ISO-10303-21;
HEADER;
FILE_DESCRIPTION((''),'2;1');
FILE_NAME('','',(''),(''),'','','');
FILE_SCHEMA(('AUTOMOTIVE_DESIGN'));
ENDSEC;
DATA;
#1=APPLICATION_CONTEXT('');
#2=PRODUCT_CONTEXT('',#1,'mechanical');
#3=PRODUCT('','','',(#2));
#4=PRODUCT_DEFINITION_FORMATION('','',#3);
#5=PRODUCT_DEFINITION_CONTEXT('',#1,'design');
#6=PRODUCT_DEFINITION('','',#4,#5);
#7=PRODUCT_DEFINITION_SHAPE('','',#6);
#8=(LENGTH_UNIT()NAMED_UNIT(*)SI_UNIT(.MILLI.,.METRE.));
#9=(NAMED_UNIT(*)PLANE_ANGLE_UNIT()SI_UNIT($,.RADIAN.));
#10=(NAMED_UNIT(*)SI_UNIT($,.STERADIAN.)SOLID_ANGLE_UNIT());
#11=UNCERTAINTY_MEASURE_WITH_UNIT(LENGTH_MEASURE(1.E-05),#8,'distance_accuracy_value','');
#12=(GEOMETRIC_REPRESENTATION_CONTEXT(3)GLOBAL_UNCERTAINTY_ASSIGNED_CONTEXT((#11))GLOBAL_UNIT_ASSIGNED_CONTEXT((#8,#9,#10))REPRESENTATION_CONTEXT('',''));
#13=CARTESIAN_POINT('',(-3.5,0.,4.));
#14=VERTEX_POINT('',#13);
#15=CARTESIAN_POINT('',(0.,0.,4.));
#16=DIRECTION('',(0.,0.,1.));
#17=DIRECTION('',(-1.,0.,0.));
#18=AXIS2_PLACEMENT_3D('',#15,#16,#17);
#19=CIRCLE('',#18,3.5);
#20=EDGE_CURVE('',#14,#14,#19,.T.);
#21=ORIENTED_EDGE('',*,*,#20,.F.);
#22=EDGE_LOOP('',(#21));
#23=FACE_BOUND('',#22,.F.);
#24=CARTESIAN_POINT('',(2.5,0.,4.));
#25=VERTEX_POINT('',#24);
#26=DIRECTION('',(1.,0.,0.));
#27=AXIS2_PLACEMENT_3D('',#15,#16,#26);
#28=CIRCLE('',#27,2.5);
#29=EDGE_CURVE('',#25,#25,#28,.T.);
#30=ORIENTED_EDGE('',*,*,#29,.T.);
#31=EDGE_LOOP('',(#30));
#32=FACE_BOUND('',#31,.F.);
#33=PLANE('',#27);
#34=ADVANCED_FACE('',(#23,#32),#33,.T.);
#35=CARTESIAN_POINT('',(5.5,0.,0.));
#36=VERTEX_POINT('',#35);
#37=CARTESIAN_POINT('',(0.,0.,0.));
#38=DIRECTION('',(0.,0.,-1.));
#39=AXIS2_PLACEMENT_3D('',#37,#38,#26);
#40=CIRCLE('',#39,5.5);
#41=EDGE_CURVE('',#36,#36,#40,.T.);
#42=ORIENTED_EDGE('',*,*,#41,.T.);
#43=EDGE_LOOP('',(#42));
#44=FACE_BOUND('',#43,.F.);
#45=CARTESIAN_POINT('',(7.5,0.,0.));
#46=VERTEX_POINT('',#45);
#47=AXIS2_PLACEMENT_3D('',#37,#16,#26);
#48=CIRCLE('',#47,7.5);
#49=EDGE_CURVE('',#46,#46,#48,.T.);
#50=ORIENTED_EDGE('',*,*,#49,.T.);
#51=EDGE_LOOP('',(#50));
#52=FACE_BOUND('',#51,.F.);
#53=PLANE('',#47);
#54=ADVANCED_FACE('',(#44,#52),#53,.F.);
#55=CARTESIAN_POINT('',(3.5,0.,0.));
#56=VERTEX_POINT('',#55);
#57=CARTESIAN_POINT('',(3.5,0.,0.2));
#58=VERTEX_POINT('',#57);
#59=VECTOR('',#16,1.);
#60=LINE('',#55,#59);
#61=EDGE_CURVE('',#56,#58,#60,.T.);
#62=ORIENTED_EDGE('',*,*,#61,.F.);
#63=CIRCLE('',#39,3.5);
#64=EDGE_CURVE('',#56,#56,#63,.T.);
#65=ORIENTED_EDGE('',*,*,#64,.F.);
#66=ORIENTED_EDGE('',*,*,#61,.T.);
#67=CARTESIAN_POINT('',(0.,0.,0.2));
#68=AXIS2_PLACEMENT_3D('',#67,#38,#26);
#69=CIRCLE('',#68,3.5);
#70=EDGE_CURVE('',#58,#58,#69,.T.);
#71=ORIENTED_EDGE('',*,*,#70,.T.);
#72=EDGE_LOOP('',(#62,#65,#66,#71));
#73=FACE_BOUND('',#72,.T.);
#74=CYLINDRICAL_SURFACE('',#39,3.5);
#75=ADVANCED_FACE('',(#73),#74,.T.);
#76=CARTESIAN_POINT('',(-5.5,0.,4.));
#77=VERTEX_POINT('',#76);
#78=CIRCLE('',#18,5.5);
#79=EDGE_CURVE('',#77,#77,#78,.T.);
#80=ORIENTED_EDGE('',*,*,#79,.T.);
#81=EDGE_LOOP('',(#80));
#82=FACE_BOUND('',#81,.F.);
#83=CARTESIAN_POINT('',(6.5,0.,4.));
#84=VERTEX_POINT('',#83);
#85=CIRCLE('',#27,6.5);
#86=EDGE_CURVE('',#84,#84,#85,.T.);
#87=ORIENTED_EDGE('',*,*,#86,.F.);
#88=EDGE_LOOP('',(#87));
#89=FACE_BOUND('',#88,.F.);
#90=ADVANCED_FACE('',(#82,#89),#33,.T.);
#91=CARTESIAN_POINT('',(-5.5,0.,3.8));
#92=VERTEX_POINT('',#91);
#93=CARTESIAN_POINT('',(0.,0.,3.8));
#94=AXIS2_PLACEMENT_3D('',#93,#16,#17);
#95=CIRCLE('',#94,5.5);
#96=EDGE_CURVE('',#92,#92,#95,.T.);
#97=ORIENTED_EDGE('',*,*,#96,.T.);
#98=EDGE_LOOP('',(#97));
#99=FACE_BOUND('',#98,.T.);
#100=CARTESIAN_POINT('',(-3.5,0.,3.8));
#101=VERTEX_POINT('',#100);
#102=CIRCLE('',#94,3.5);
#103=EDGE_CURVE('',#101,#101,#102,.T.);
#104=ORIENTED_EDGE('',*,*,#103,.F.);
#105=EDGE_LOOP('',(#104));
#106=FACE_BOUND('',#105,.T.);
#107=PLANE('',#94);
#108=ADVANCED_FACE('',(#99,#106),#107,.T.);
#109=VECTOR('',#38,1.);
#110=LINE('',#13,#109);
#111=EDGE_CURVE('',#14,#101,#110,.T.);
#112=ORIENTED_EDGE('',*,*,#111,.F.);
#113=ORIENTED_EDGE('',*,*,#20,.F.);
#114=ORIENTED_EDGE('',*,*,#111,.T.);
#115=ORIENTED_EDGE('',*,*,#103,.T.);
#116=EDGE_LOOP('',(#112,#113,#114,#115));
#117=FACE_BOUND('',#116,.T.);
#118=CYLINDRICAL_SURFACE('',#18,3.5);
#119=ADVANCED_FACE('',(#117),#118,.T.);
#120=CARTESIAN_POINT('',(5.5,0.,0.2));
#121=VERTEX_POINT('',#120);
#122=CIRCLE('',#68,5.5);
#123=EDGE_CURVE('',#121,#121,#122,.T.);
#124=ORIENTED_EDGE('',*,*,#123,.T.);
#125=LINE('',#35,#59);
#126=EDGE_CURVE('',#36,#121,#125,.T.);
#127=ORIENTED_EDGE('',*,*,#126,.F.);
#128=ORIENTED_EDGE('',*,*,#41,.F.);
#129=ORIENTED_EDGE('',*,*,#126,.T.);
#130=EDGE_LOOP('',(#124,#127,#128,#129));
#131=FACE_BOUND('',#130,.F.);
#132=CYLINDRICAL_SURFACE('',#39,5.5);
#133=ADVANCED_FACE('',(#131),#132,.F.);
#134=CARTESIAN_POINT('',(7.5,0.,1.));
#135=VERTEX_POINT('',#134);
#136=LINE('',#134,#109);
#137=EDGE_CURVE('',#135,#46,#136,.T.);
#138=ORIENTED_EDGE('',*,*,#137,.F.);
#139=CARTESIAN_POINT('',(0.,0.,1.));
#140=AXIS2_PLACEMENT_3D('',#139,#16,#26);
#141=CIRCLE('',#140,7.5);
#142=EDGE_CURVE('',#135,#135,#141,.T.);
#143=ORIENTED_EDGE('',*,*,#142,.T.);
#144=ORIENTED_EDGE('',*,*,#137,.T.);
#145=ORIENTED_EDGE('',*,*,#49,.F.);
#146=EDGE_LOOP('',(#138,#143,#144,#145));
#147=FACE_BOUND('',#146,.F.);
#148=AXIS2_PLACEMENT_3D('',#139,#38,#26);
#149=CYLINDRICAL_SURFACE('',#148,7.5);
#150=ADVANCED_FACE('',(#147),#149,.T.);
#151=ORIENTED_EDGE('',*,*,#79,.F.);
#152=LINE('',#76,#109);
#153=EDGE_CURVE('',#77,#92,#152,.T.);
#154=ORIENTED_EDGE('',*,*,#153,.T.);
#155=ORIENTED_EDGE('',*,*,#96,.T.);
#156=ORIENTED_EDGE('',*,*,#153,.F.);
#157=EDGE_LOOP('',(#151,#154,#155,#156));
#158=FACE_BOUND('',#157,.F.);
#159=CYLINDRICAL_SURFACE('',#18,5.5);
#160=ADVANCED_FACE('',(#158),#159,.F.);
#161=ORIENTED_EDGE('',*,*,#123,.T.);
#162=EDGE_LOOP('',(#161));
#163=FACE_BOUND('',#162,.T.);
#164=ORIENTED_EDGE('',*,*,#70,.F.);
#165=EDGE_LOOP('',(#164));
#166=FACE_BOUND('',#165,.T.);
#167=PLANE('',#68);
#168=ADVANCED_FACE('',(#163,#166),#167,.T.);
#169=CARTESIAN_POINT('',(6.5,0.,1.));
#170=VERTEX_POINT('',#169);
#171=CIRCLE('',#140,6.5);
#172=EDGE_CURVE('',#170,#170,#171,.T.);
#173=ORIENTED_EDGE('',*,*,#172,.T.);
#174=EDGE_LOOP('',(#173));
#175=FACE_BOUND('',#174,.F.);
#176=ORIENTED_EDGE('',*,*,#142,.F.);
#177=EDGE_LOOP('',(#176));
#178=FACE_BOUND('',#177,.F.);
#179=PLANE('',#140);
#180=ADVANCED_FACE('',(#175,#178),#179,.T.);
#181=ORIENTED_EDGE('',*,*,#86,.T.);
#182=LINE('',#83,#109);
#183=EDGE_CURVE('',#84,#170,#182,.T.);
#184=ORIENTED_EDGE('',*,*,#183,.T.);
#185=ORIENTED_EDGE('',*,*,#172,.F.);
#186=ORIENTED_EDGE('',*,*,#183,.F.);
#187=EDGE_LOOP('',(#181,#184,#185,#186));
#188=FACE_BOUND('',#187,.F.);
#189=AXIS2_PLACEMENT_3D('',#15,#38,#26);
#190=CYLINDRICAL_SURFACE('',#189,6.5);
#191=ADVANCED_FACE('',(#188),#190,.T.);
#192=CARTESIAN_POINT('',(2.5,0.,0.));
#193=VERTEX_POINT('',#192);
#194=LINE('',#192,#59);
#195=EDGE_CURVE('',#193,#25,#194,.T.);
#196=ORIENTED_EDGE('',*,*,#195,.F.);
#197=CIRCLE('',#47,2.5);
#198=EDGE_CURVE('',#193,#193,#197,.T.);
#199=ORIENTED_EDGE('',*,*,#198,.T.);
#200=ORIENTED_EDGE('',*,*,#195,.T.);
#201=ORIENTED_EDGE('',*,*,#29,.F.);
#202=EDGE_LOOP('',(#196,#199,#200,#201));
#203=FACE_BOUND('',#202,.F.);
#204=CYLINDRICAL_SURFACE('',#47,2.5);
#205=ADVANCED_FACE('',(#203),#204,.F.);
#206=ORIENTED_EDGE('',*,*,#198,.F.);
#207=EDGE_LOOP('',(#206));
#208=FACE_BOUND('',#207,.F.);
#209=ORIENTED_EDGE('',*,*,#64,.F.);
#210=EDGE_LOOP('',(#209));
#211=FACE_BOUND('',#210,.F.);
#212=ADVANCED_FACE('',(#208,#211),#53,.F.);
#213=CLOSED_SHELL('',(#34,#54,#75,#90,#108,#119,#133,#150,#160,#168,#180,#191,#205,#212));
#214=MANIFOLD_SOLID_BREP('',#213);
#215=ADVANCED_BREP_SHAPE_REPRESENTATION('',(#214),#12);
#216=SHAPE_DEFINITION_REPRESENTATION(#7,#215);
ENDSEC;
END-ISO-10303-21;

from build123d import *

# Parameters (mm, degrees)
SKETCH001_R     = 5.5
SKETCH001_R_2   = 3.5
POCKET_DEPTH    = 0.2
SKETCH002_R     = 5.5
SKETCH002_R_2   = 3.5
POCKET001_DEPTH = 0.2


with BuildPart() as part:
    # Sketch → Revolution (revolve)
    with BuildSketch(Plane.XZ):
        Polygon((2.5, 4), (6.5, 4), (6.5, 1), (7.5, 1), (7.5, 0), (2.5, 0), align=None)
    revolve(axis=Axis((0, 0, 0), (0, 0, 1)))

    # Sketch001 (on Face1 of Revolution) → Pocket (cut)
    with BuildSketch(Plane(origin=(0, 0, 4), x_dir=(-1, 0, 0), z_dir=(0, 0, 1))):
        Circle(SKETCH001_R)
        Circle(SKETCH001_R_2, mode=Mode.SUBTRACT)
    extrude(amount=-POCKET_DEPTH, mode=Mode.SUBTRACT)

    # Sketch002 (on Face8 of Pocket) → Pocket001 (cut)
    with BuildSketch(Plane(origin=(0, 0, 0), x_dir=(1, 0, 0), z_dir=(0, 0, -1))):
        Circle(SKETCH002_R)
        Circle(SKETCH002_R_2, mode=Mode.SUBTRACT)
    extrude(amount=-POCKET001_DEPTH, mode=Mode.SUBTRACT)


solid = part.part
